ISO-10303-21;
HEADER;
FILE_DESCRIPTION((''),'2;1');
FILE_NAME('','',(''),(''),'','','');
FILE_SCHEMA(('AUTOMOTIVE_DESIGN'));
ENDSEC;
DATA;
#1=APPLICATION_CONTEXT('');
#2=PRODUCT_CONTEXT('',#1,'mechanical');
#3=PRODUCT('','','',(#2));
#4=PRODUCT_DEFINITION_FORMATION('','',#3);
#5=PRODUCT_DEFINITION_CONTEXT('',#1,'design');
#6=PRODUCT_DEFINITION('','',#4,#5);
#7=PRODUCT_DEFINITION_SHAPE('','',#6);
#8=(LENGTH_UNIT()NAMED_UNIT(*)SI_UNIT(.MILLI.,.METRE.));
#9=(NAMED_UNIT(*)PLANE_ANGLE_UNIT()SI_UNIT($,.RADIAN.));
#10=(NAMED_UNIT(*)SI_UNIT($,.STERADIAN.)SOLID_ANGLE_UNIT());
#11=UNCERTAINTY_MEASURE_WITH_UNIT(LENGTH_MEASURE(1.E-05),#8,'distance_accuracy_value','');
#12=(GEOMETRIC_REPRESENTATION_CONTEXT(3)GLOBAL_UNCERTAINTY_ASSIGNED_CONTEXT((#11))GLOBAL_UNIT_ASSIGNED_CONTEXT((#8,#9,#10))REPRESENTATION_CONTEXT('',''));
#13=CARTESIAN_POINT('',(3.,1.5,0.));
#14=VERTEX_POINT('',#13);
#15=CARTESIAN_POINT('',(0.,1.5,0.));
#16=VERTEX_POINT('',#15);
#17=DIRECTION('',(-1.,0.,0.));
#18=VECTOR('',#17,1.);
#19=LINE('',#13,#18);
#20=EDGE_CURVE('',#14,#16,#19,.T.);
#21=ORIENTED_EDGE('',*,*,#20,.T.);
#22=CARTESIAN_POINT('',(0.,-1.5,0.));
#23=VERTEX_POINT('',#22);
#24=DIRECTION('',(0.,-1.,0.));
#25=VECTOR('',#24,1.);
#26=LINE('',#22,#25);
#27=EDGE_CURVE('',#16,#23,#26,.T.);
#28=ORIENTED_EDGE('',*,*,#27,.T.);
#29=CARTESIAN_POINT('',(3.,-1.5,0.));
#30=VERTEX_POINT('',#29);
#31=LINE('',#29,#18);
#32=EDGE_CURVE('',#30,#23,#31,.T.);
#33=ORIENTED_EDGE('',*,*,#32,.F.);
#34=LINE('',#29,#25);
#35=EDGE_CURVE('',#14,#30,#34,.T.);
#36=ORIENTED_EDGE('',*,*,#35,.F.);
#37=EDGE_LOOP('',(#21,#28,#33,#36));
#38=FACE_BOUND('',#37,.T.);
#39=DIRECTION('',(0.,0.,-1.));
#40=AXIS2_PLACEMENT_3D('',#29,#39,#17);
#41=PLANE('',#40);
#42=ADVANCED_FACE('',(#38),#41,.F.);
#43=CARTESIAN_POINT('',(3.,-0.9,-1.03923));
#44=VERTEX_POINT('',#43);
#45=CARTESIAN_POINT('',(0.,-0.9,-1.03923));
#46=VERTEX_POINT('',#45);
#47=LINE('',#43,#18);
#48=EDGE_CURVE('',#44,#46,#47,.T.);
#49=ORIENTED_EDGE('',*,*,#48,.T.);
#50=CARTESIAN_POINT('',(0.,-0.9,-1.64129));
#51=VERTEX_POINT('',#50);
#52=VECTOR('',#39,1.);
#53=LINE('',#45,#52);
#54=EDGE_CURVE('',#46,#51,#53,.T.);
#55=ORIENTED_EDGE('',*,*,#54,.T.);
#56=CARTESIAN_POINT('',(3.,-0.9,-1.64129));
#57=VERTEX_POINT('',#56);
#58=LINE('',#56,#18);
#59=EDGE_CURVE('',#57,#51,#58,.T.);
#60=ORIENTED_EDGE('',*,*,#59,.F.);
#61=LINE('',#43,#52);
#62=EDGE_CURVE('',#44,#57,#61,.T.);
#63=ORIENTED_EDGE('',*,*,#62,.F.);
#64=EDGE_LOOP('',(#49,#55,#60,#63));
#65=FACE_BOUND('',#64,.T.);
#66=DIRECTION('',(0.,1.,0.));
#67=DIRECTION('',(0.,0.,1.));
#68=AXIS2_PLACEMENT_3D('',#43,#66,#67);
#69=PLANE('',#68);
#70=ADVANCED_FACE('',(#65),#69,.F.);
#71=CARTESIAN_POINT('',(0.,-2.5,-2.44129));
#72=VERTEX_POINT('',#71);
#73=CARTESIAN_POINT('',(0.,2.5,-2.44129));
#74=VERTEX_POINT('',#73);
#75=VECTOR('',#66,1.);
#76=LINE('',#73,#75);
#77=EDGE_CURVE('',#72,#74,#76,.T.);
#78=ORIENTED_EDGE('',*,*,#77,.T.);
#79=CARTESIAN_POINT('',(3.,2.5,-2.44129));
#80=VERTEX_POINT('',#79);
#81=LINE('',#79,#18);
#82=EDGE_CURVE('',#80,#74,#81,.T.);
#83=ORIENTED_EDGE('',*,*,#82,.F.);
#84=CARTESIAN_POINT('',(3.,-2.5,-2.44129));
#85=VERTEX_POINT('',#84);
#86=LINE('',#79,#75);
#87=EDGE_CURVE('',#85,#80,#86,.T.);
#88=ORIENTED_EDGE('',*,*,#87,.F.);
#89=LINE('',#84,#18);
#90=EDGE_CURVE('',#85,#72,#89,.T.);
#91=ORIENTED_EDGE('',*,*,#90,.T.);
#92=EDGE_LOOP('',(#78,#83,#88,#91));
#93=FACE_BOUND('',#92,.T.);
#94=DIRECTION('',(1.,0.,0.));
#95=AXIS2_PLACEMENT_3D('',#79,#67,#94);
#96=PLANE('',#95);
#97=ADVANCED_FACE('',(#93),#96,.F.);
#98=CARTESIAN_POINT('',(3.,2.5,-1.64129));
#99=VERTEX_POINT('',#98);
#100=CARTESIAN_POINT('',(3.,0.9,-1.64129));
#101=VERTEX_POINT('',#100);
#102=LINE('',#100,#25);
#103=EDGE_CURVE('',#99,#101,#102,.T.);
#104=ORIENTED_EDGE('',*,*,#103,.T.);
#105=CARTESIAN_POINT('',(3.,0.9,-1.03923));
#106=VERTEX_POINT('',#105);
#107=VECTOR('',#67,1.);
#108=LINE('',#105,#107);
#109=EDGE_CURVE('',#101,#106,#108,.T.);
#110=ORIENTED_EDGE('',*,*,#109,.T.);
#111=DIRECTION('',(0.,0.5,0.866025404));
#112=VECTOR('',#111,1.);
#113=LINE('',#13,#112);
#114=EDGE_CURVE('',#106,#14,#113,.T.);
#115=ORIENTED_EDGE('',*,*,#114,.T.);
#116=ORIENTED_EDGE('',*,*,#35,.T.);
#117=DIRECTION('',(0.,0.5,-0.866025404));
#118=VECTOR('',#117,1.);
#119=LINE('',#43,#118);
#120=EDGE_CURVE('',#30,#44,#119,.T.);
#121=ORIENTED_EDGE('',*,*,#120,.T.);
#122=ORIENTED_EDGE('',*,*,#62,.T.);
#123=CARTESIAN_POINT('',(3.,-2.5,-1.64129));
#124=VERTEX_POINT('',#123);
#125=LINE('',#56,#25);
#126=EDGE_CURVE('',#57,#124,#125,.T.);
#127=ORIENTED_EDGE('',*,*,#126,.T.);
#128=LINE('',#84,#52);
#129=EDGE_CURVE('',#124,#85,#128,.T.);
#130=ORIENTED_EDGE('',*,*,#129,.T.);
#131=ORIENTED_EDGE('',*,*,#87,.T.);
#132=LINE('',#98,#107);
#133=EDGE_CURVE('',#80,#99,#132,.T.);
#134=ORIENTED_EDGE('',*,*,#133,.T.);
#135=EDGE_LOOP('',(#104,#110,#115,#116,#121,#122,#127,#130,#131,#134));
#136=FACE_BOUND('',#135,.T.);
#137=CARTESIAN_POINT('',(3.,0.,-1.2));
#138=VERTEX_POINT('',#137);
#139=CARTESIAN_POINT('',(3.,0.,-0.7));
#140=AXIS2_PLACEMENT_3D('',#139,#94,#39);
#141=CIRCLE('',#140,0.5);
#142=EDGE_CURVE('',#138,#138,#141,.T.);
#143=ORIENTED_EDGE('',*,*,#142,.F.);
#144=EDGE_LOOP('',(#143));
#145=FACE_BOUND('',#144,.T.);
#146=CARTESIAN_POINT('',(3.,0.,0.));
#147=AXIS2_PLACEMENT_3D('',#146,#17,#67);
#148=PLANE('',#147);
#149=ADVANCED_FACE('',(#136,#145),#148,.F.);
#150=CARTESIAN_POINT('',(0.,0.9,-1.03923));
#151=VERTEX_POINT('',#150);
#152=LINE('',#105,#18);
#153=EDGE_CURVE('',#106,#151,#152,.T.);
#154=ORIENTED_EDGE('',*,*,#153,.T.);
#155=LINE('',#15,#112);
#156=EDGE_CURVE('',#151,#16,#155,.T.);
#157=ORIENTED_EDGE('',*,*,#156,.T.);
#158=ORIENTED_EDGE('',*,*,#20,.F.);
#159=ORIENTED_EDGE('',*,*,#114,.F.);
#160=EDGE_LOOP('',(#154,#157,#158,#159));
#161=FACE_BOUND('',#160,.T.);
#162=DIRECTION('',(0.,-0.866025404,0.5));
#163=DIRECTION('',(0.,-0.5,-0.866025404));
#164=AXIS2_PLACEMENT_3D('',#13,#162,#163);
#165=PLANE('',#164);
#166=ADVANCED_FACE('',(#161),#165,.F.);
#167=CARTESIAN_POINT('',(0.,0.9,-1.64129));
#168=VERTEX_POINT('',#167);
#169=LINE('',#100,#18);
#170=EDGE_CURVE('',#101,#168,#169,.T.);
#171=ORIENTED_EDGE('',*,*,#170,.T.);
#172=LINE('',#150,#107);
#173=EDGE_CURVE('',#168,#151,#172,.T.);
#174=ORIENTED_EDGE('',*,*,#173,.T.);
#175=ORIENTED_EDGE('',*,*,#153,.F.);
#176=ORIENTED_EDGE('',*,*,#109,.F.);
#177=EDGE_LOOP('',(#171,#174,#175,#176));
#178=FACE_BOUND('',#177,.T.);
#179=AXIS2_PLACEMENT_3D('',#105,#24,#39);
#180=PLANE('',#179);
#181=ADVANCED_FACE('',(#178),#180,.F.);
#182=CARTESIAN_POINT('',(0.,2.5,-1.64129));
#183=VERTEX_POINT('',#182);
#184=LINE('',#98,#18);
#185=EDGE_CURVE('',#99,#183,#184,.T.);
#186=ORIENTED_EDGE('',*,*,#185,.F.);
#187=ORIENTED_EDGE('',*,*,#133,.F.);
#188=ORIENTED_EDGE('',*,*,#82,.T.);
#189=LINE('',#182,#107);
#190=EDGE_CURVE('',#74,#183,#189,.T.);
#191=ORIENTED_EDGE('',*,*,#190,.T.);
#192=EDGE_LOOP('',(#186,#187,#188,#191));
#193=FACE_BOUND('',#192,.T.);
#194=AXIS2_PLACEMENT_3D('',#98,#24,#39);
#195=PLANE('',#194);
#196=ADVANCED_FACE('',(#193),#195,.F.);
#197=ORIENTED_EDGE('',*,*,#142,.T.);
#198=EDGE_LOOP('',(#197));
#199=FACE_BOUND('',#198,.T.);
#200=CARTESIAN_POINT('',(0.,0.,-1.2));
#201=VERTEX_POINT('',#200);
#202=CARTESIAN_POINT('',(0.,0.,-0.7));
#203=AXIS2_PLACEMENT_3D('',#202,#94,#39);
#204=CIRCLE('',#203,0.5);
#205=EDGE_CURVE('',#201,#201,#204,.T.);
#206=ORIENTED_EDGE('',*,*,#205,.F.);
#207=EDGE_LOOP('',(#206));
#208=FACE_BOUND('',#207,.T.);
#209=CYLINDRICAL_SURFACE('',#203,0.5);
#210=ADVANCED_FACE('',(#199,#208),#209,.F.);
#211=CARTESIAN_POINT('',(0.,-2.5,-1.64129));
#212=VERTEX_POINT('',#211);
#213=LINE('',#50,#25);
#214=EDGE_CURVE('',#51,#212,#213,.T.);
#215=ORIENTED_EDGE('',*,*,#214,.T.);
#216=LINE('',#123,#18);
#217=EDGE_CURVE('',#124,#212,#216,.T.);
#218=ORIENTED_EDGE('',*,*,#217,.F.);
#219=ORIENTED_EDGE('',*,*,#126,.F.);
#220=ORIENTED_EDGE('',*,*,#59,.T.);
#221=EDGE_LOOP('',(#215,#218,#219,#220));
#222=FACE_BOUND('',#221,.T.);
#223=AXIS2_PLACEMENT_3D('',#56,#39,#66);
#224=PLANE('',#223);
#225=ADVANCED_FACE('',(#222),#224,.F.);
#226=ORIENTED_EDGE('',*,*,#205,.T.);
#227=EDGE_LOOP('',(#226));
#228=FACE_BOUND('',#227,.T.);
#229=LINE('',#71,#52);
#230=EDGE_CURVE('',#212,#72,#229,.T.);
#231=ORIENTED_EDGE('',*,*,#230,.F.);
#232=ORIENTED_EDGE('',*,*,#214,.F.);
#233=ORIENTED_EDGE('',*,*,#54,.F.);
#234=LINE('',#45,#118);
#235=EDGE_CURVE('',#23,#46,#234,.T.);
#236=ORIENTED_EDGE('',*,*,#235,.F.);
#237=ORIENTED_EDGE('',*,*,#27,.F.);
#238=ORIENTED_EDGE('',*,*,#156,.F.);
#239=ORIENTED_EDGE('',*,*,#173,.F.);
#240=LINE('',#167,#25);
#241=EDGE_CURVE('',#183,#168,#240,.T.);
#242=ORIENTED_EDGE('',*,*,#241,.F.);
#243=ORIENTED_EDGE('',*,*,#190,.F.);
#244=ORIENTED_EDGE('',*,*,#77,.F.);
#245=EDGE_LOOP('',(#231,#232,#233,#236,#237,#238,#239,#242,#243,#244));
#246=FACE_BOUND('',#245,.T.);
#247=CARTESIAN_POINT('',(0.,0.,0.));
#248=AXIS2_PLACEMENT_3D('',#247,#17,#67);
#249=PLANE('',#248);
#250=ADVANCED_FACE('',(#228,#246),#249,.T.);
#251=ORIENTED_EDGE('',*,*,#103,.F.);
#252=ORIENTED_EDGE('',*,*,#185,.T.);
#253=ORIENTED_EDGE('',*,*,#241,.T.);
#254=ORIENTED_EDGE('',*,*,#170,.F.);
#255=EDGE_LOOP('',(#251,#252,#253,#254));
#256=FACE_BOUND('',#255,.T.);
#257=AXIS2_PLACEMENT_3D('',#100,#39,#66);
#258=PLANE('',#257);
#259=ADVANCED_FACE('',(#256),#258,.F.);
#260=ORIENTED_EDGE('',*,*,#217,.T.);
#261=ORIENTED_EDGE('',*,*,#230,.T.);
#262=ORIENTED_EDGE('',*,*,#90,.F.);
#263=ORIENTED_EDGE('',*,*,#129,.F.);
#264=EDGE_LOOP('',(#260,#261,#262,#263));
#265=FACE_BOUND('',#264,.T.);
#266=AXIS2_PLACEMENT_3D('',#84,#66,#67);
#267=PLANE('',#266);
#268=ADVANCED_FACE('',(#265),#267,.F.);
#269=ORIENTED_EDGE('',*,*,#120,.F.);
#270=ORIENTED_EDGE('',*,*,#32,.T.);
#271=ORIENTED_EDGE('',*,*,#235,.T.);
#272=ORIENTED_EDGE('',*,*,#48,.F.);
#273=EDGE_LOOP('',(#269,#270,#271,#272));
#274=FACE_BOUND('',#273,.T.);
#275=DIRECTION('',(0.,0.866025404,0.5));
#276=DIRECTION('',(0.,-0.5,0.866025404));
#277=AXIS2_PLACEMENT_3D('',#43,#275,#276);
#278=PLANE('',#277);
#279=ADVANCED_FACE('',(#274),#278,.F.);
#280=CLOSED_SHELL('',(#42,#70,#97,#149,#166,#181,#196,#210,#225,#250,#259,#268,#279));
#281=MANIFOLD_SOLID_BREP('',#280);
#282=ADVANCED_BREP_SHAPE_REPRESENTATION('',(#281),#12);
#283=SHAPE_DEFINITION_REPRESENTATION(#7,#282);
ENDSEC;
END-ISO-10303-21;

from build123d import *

# Parameters (mm, degrees)
BOSS_EXTRUDE1_DEPTH = 3
SKETCH2_R           = 0.5
CUT_EXTRUDE1_DEPTH  = 5.605420599


with BuildPart() as part:
    # Sketch1 → Boss-Extrude1 (new body)
    with BuildSketch(Plane(origin=(0, 0, 0), x_dir=(0, 0, -1), z_dir=(1, 0, 0))):
        Polygon((0, -1.5), (0, 1.5), (1.039230485, 0.9), (1.641290416, 0.9), (1.641290416, 2.5), (2.441290416, 2.5), (2.441290416, -2.5), (1.641290416, -2.5), (1.641290416, -0.9), (1.039230485, -0.9), align=None)
    extrude(amount=BOSS_EXTRUDE1_DEPTH)

    # Sketch2 → Cut-Extrude1 (cut, through all)
    with BuildSketch(Plane(origin=(3, 0, 0), x_dir=(0, 0, -1), z_dir=(1, 0, 0))):
        with Locations((0.7, 0)):
            Circle(SKETCH2_R)
    extrude(amount=-CUT_EXTRUDE1_DEPTH, mode=Mode.SUBTRACT)


solid = part.part
